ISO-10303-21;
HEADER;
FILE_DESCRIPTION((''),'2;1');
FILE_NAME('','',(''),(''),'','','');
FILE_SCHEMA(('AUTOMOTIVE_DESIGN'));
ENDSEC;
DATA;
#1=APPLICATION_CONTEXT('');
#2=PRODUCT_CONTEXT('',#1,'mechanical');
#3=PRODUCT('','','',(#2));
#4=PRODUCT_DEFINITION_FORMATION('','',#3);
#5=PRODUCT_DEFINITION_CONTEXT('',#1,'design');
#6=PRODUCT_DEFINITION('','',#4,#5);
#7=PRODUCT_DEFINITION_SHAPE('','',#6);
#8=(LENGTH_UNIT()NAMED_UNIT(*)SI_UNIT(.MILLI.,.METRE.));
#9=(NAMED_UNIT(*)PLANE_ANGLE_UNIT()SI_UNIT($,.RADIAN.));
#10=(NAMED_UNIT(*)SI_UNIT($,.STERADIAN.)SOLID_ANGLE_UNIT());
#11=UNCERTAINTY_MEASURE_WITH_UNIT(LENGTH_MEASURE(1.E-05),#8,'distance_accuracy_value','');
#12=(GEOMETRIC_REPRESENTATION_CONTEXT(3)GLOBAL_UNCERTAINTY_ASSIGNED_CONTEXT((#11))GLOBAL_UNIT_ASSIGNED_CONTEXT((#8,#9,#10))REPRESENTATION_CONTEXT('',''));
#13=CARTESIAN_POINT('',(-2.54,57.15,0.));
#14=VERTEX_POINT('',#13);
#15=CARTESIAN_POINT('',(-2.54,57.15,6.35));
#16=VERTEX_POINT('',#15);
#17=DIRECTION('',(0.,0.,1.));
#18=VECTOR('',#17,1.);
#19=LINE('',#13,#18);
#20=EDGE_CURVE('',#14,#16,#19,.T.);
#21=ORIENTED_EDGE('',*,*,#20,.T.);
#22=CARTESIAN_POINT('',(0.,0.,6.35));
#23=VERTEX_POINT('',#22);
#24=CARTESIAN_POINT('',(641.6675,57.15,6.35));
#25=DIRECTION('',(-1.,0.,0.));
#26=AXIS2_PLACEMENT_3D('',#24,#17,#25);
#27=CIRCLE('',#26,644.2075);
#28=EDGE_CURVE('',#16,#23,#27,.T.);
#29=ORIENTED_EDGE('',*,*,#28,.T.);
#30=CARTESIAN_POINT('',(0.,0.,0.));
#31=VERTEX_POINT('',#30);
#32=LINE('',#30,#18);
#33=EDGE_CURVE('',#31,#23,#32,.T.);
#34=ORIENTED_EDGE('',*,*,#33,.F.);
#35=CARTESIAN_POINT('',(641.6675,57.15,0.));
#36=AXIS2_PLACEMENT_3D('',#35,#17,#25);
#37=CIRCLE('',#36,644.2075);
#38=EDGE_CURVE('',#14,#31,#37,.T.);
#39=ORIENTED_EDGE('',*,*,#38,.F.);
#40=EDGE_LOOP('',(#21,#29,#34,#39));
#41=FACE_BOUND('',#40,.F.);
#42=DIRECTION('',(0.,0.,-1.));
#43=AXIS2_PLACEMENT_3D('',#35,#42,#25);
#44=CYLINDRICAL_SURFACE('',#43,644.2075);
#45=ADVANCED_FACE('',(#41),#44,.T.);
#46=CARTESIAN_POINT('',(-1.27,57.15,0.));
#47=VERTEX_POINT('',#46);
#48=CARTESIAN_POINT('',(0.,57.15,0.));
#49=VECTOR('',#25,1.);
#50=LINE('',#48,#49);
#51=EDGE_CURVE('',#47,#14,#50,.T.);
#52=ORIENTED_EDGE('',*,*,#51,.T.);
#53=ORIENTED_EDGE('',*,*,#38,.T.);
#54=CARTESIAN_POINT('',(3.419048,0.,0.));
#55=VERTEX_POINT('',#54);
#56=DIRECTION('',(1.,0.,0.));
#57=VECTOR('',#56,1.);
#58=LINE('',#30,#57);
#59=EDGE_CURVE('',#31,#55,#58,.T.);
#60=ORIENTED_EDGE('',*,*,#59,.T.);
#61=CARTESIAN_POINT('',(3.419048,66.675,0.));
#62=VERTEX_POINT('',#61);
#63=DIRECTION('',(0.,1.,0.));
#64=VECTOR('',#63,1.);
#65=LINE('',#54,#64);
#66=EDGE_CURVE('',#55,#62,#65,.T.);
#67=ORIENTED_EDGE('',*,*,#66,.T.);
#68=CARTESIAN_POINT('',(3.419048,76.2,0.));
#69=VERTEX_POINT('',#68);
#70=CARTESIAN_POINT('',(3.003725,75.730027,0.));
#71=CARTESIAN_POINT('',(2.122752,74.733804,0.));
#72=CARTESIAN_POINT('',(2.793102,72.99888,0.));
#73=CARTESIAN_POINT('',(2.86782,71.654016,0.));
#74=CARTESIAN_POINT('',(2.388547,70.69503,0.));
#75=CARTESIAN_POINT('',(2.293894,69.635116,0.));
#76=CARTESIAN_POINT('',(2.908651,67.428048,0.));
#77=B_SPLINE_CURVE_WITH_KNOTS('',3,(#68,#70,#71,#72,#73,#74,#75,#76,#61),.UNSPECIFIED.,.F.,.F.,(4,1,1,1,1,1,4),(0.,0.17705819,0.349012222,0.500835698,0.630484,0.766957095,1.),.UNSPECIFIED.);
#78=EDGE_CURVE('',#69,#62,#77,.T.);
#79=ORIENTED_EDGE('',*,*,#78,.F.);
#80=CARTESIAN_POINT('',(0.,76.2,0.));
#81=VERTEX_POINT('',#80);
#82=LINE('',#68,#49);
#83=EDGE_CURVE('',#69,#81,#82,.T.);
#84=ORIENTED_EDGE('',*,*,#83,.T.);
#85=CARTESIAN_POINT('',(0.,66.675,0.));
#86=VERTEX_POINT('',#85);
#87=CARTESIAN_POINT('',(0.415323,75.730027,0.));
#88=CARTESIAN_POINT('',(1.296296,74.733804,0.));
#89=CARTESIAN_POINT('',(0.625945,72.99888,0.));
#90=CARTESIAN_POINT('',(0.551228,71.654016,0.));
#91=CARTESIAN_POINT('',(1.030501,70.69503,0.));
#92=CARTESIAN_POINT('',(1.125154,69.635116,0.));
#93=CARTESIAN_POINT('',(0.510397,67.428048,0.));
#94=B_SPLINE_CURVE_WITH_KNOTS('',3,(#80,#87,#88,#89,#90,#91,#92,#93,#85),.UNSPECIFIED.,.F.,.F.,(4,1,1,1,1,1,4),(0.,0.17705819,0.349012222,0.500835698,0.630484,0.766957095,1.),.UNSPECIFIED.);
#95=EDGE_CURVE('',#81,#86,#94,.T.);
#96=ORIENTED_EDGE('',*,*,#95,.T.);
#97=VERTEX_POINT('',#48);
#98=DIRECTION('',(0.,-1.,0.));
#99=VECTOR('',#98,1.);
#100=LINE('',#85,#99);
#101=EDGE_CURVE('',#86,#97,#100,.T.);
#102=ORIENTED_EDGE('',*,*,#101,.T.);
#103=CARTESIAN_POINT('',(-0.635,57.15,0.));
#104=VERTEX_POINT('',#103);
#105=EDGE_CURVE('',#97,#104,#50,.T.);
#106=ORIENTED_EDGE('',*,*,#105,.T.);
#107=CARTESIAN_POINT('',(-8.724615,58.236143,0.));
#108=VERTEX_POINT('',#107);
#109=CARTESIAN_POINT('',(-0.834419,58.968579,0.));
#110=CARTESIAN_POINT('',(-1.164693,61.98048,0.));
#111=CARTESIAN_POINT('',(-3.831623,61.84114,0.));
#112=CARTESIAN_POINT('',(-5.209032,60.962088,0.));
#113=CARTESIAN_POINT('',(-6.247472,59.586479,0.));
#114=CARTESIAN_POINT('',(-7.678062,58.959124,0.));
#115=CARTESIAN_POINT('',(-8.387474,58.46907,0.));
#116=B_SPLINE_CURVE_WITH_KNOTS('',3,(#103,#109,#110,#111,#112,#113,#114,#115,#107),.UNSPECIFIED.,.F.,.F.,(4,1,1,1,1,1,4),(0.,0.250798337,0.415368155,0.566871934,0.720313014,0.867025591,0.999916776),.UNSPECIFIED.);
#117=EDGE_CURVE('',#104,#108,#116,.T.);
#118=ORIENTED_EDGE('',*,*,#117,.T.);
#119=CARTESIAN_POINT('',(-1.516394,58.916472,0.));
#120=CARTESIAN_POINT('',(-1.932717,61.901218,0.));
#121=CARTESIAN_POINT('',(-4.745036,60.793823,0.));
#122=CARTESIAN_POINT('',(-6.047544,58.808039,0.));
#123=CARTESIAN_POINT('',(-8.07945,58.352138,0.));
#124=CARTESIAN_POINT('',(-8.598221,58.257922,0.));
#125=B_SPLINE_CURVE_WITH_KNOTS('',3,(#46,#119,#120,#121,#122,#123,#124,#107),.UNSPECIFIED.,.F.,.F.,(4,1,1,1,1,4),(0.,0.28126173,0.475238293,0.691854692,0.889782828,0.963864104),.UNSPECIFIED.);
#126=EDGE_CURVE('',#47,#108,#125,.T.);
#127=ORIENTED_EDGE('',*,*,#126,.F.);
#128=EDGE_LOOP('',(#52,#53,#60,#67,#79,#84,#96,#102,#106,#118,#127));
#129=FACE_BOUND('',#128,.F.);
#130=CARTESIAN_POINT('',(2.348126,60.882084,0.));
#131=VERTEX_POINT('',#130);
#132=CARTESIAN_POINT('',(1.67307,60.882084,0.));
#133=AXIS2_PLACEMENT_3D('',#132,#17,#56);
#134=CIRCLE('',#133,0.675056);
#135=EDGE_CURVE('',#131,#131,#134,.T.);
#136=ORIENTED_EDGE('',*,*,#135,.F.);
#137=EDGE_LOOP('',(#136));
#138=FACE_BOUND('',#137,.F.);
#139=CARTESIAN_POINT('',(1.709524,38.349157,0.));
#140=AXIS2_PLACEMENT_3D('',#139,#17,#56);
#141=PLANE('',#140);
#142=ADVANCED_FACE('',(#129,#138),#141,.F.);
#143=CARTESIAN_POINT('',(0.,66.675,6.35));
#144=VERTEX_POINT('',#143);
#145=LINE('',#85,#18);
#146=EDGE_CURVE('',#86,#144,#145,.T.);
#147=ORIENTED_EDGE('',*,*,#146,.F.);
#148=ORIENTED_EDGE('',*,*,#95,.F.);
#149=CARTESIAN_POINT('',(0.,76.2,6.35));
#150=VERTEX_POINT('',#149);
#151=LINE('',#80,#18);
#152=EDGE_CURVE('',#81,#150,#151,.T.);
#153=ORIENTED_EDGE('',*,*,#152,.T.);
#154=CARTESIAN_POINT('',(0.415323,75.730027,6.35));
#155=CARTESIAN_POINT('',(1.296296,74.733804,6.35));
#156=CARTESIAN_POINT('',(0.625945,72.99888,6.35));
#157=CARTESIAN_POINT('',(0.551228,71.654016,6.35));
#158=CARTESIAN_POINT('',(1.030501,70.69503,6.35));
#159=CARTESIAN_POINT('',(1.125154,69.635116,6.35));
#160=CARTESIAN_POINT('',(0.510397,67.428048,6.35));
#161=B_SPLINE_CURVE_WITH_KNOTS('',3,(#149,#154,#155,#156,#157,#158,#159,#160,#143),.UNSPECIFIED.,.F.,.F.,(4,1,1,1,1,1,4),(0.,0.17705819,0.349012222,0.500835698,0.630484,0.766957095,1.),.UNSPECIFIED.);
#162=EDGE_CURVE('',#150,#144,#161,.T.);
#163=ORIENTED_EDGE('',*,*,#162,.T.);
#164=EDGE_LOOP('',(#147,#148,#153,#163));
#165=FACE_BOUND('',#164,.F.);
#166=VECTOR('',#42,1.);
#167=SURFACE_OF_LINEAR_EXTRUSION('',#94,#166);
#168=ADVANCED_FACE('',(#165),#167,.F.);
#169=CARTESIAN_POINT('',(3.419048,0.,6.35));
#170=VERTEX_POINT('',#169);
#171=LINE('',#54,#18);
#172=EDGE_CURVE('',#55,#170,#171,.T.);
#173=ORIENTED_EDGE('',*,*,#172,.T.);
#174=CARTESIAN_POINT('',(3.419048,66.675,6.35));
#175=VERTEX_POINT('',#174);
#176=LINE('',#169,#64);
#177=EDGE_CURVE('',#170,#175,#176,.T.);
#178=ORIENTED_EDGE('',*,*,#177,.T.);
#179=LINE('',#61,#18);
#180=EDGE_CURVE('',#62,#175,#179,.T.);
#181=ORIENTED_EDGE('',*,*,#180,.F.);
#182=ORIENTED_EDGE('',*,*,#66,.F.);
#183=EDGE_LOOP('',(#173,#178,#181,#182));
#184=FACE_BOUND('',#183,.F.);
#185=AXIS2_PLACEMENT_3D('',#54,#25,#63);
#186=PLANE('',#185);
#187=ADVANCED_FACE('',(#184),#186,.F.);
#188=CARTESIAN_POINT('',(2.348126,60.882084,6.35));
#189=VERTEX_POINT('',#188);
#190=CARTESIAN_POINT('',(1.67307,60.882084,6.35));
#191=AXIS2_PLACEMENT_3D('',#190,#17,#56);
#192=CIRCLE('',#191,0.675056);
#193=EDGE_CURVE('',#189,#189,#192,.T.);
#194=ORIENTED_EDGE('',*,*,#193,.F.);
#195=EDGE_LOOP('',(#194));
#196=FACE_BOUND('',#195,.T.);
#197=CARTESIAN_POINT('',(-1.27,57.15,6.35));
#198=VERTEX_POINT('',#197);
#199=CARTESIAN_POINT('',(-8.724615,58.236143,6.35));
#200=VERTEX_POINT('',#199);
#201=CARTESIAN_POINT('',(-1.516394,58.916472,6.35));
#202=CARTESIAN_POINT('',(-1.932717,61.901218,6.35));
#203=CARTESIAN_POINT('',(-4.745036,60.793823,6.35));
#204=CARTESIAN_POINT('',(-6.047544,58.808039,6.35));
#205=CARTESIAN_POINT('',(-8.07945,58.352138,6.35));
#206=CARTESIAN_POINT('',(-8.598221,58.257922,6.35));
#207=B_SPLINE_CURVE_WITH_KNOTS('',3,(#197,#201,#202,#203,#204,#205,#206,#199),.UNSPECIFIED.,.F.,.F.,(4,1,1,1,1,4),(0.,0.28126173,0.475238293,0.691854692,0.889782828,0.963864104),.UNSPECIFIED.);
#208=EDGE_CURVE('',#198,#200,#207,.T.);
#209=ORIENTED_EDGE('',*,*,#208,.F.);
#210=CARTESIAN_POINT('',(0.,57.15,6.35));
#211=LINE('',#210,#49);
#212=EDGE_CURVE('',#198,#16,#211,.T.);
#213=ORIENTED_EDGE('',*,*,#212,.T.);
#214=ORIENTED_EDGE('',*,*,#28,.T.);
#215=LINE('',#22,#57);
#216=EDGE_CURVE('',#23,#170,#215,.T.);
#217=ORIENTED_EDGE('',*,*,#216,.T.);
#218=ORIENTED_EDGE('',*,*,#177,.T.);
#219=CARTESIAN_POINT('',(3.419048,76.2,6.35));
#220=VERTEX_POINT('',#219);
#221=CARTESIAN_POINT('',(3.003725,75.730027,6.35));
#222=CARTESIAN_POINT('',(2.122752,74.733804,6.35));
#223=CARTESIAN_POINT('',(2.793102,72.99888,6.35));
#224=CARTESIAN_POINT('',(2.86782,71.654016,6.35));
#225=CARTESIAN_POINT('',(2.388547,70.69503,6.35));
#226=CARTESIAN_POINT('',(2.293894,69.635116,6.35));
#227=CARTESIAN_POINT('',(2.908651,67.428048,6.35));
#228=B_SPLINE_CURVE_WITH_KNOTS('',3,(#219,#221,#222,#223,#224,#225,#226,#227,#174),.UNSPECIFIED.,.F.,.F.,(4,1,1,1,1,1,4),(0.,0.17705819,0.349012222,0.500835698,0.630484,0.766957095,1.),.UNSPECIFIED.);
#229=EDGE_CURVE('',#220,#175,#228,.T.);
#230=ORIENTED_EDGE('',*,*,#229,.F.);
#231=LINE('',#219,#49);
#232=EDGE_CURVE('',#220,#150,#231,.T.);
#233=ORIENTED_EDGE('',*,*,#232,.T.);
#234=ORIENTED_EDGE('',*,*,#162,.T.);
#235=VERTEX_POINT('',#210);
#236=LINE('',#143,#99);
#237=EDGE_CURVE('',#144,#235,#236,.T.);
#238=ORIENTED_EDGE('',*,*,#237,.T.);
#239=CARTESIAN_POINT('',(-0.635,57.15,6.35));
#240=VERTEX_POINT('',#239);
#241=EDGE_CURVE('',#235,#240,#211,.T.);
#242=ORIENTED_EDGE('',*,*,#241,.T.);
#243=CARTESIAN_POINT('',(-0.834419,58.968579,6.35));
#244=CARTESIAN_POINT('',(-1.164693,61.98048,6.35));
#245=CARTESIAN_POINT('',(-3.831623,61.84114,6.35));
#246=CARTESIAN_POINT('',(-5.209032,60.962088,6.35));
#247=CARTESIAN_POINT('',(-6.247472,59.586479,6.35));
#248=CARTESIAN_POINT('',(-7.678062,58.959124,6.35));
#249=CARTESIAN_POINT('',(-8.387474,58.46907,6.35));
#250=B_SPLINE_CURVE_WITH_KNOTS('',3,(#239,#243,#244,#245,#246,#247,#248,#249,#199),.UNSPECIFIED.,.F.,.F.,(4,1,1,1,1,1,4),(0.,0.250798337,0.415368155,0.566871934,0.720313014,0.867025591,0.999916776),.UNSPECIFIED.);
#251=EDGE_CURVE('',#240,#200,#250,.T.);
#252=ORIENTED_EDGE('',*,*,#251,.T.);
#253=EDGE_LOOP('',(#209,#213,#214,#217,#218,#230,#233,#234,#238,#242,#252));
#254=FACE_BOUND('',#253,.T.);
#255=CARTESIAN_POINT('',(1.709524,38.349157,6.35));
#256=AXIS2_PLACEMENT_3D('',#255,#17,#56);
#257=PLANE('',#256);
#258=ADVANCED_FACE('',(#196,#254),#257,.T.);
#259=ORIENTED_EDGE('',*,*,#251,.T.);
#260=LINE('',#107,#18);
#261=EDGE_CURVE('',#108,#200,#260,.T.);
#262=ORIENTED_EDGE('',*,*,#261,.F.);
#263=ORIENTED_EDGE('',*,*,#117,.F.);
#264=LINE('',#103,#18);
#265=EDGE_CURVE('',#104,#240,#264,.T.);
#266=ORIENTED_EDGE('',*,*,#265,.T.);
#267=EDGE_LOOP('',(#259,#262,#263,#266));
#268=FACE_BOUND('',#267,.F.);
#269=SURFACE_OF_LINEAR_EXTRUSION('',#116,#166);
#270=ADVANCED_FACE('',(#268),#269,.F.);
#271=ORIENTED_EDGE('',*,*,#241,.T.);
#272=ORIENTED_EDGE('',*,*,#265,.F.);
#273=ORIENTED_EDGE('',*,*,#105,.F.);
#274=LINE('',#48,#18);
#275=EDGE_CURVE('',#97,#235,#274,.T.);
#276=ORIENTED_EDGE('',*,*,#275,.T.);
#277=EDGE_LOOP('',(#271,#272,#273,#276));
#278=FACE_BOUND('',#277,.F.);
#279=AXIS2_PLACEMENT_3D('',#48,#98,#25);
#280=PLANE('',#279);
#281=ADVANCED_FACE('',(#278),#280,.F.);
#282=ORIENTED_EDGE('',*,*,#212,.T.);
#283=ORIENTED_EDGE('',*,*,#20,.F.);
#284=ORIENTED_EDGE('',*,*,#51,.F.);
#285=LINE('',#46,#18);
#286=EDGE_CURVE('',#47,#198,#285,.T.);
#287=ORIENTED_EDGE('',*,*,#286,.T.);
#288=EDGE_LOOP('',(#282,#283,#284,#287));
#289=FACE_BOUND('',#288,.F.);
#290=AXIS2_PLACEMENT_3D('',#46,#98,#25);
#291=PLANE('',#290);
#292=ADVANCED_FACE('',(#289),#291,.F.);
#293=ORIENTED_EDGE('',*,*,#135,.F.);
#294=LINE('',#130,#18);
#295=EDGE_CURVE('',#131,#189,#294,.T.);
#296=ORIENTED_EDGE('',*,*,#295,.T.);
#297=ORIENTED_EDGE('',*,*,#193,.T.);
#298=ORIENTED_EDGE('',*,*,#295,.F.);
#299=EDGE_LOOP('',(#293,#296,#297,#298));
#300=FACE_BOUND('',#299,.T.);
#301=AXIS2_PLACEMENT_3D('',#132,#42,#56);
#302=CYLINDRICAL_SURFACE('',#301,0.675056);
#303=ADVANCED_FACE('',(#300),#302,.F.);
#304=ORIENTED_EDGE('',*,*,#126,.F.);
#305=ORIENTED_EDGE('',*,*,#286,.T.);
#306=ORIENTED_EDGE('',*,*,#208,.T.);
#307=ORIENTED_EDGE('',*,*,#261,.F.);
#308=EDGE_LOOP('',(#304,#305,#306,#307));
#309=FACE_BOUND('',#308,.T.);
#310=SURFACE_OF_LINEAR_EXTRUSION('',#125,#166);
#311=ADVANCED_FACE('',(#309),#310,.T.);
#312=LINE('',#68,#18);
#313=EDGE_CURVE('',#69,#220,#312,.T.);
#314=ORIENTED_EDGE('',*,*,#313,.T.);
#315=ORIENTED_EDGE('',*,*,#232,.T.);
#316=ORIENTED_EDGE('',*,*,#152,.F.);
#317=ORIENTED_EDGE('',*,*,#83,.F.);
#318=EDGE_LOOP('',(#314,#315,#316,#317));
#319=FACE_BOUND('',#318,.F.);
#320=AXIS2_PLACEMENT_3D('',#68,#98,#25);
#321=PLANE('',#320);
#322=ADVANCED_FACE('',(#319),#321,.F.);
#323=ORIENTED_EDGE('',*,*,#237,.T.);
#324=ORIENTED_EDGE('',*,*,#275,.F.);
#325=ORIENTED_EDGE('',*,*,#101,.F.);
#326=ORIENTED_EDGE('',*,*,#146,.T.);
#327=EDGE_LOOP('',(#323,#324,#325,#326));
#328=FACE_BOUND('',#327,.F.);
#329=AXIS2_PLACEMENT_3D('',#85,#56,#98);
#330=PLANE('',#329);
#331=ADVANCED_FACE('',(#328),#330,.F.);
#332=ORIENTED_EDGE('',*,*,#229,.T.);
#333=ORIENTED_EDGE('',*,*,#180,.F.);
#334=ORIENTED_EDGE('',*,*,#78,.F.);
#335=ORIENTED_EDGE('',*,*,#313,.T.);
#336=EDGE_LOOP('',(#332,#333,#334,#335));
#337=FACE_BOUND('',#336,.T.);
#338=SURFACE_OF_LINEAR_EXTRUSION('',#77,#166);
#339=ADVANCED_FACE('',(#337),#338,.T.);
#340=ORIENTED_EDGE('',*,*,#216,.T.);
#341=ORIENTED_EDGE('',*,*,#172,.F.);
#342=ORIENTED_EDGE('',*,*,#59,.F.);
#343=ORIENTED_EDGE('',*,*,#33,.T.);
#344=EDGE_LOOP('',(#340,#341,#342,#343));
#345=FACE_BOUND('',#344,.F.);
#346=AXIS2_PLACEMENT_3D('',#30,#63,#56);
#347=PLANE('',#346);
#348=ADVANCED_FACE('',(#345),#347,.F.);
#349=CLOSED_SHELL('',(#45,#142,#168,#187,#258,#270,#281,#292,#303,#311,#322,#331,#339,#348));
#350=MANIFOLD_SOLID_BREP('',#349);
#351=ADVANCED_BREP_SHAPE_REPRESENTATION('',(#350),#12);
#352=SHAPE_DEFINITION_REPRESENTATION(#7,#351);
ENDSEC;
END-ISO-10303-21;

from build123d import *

# Parameters (mm, degrees)
F0_R     = 0.6750562138
F1_DEPTH = 6.35


with BuildPart() as f1:
    # F0 (on Top) → F1 (new body)
    with BuildSketch(Plane.XY):
        with BuildLine():
            Line((0, 57.15), (0, 0))
            Line((0, 0), (3.419047772, 0))
            Line((3.419047772, 0), (3.419047772, 66.675))
            add(Edge.make_bspline(
                [(3.419047772, 76.2), (3.0037245486, 75.7300271424), (2.1227516333, 74.7338041598), (2.7931024976, 72.9988795595), (2.8678197081, 71.6540162547), (2.3885468254, 70.6950296341), (2.2938936407, 69.6351160517), (2.9086507893, 67.4280476767), (3.419047772, 66.675)],
                knots=[0, 0, 0, 0, 0.1770581904, 0.3490122219, 0.5008356976, 0.630484, 0.7669570949, 1, 1, 1, 1], degree=3))
            Line((3.419047772, 76.2), (1.709523886, 76.2))
            Line((1.709523886, 76.2), (0, 76.2))
            add(Edge.make_bspline(
                [(0, 76.2), (0.4153232234, 75.7300271424), (1.2962961387, 74.7338041598), (0.6259452744, 72.9988795595), (0.5512280639, 71.6540162547), (1.0305009466, 70.6950296341), (1.1251541313, 69.6351160517), (0.5103969827, 67.4280476767), (0, 66.675)],
                knots=[0, 0, 0, 0, 0.1770581904, 0.3490122219, 0.5008356976, 0.630484, 0.7669570949, 1, 1, 1, 1], degree=3))
            Line((0, 66.675), (0, 57.15))
        make_face()
        with Locations((1.6730700154, 60.8820840716)):
            Circle(F0_R, mode=Mode.SUBTRACT)
        with BuildLine():
            ThreePointArc((-2.54, 57.15), (-1.9046867291, 28.5467917009), (0, 0))
            Line((0, 0), (0, 57.15))
            Line((0, 57.15), (-0.635, 57.15))
            Line((-0.635, 57.15), (-1.27, 57.15))
            Line((-1.27, 57.15), (-2.54, 57.15))
        make_face()
        with BuildLine():
            Line((-1.27, 57.15), (-0.635, 57.15))
            add(Edge.make_bspline(
                [(-0.635, 57.15), (-0.8344189409, 58.9685787976), (-1.1646933693, 61.9804796245), (-3.8316234786, 61.8411399026), (-5.2090319123, 60.962088431), (-6.2474716265, 59.5864787743), (-7.6780619172, 58.9591241724), (-8.3874736715, 58.4690696755), (-8.7246154109, 58.2361426137)],
                knots=[0, 0, 0, 0, 0.2507983374, 0.4153681549, 0.5668719339, 0.7203130141, 0.8670255908, 0.9999167765, 0.9999167765, 0.9999167765, 0.9999167765], degree=3))
            add(Edge.make_bspline(
                [(-1.27, 57.15), (-1.5163936563, 58.9164716506), (-1.9327165615, 61.901218176), (-4.7450355941, 60.7938230612), (-6.0475443647, 58.8080385101), (-8.0794495379, 58.3521382776), (-8.5982206433, 58.25792169), (-8.7246154109, 58.2361426137)],
                knots=[0, 0, 0, 0, 0.28126173, 0.4752382927, 0.6918546924, 0.8897828277, 0.9638641037, 0.9638641037, 0.9638641037, 0.9638641037], degree=3))
        make_face()
    extrude(amount=F1_DEPTH)


solid = f1.part
